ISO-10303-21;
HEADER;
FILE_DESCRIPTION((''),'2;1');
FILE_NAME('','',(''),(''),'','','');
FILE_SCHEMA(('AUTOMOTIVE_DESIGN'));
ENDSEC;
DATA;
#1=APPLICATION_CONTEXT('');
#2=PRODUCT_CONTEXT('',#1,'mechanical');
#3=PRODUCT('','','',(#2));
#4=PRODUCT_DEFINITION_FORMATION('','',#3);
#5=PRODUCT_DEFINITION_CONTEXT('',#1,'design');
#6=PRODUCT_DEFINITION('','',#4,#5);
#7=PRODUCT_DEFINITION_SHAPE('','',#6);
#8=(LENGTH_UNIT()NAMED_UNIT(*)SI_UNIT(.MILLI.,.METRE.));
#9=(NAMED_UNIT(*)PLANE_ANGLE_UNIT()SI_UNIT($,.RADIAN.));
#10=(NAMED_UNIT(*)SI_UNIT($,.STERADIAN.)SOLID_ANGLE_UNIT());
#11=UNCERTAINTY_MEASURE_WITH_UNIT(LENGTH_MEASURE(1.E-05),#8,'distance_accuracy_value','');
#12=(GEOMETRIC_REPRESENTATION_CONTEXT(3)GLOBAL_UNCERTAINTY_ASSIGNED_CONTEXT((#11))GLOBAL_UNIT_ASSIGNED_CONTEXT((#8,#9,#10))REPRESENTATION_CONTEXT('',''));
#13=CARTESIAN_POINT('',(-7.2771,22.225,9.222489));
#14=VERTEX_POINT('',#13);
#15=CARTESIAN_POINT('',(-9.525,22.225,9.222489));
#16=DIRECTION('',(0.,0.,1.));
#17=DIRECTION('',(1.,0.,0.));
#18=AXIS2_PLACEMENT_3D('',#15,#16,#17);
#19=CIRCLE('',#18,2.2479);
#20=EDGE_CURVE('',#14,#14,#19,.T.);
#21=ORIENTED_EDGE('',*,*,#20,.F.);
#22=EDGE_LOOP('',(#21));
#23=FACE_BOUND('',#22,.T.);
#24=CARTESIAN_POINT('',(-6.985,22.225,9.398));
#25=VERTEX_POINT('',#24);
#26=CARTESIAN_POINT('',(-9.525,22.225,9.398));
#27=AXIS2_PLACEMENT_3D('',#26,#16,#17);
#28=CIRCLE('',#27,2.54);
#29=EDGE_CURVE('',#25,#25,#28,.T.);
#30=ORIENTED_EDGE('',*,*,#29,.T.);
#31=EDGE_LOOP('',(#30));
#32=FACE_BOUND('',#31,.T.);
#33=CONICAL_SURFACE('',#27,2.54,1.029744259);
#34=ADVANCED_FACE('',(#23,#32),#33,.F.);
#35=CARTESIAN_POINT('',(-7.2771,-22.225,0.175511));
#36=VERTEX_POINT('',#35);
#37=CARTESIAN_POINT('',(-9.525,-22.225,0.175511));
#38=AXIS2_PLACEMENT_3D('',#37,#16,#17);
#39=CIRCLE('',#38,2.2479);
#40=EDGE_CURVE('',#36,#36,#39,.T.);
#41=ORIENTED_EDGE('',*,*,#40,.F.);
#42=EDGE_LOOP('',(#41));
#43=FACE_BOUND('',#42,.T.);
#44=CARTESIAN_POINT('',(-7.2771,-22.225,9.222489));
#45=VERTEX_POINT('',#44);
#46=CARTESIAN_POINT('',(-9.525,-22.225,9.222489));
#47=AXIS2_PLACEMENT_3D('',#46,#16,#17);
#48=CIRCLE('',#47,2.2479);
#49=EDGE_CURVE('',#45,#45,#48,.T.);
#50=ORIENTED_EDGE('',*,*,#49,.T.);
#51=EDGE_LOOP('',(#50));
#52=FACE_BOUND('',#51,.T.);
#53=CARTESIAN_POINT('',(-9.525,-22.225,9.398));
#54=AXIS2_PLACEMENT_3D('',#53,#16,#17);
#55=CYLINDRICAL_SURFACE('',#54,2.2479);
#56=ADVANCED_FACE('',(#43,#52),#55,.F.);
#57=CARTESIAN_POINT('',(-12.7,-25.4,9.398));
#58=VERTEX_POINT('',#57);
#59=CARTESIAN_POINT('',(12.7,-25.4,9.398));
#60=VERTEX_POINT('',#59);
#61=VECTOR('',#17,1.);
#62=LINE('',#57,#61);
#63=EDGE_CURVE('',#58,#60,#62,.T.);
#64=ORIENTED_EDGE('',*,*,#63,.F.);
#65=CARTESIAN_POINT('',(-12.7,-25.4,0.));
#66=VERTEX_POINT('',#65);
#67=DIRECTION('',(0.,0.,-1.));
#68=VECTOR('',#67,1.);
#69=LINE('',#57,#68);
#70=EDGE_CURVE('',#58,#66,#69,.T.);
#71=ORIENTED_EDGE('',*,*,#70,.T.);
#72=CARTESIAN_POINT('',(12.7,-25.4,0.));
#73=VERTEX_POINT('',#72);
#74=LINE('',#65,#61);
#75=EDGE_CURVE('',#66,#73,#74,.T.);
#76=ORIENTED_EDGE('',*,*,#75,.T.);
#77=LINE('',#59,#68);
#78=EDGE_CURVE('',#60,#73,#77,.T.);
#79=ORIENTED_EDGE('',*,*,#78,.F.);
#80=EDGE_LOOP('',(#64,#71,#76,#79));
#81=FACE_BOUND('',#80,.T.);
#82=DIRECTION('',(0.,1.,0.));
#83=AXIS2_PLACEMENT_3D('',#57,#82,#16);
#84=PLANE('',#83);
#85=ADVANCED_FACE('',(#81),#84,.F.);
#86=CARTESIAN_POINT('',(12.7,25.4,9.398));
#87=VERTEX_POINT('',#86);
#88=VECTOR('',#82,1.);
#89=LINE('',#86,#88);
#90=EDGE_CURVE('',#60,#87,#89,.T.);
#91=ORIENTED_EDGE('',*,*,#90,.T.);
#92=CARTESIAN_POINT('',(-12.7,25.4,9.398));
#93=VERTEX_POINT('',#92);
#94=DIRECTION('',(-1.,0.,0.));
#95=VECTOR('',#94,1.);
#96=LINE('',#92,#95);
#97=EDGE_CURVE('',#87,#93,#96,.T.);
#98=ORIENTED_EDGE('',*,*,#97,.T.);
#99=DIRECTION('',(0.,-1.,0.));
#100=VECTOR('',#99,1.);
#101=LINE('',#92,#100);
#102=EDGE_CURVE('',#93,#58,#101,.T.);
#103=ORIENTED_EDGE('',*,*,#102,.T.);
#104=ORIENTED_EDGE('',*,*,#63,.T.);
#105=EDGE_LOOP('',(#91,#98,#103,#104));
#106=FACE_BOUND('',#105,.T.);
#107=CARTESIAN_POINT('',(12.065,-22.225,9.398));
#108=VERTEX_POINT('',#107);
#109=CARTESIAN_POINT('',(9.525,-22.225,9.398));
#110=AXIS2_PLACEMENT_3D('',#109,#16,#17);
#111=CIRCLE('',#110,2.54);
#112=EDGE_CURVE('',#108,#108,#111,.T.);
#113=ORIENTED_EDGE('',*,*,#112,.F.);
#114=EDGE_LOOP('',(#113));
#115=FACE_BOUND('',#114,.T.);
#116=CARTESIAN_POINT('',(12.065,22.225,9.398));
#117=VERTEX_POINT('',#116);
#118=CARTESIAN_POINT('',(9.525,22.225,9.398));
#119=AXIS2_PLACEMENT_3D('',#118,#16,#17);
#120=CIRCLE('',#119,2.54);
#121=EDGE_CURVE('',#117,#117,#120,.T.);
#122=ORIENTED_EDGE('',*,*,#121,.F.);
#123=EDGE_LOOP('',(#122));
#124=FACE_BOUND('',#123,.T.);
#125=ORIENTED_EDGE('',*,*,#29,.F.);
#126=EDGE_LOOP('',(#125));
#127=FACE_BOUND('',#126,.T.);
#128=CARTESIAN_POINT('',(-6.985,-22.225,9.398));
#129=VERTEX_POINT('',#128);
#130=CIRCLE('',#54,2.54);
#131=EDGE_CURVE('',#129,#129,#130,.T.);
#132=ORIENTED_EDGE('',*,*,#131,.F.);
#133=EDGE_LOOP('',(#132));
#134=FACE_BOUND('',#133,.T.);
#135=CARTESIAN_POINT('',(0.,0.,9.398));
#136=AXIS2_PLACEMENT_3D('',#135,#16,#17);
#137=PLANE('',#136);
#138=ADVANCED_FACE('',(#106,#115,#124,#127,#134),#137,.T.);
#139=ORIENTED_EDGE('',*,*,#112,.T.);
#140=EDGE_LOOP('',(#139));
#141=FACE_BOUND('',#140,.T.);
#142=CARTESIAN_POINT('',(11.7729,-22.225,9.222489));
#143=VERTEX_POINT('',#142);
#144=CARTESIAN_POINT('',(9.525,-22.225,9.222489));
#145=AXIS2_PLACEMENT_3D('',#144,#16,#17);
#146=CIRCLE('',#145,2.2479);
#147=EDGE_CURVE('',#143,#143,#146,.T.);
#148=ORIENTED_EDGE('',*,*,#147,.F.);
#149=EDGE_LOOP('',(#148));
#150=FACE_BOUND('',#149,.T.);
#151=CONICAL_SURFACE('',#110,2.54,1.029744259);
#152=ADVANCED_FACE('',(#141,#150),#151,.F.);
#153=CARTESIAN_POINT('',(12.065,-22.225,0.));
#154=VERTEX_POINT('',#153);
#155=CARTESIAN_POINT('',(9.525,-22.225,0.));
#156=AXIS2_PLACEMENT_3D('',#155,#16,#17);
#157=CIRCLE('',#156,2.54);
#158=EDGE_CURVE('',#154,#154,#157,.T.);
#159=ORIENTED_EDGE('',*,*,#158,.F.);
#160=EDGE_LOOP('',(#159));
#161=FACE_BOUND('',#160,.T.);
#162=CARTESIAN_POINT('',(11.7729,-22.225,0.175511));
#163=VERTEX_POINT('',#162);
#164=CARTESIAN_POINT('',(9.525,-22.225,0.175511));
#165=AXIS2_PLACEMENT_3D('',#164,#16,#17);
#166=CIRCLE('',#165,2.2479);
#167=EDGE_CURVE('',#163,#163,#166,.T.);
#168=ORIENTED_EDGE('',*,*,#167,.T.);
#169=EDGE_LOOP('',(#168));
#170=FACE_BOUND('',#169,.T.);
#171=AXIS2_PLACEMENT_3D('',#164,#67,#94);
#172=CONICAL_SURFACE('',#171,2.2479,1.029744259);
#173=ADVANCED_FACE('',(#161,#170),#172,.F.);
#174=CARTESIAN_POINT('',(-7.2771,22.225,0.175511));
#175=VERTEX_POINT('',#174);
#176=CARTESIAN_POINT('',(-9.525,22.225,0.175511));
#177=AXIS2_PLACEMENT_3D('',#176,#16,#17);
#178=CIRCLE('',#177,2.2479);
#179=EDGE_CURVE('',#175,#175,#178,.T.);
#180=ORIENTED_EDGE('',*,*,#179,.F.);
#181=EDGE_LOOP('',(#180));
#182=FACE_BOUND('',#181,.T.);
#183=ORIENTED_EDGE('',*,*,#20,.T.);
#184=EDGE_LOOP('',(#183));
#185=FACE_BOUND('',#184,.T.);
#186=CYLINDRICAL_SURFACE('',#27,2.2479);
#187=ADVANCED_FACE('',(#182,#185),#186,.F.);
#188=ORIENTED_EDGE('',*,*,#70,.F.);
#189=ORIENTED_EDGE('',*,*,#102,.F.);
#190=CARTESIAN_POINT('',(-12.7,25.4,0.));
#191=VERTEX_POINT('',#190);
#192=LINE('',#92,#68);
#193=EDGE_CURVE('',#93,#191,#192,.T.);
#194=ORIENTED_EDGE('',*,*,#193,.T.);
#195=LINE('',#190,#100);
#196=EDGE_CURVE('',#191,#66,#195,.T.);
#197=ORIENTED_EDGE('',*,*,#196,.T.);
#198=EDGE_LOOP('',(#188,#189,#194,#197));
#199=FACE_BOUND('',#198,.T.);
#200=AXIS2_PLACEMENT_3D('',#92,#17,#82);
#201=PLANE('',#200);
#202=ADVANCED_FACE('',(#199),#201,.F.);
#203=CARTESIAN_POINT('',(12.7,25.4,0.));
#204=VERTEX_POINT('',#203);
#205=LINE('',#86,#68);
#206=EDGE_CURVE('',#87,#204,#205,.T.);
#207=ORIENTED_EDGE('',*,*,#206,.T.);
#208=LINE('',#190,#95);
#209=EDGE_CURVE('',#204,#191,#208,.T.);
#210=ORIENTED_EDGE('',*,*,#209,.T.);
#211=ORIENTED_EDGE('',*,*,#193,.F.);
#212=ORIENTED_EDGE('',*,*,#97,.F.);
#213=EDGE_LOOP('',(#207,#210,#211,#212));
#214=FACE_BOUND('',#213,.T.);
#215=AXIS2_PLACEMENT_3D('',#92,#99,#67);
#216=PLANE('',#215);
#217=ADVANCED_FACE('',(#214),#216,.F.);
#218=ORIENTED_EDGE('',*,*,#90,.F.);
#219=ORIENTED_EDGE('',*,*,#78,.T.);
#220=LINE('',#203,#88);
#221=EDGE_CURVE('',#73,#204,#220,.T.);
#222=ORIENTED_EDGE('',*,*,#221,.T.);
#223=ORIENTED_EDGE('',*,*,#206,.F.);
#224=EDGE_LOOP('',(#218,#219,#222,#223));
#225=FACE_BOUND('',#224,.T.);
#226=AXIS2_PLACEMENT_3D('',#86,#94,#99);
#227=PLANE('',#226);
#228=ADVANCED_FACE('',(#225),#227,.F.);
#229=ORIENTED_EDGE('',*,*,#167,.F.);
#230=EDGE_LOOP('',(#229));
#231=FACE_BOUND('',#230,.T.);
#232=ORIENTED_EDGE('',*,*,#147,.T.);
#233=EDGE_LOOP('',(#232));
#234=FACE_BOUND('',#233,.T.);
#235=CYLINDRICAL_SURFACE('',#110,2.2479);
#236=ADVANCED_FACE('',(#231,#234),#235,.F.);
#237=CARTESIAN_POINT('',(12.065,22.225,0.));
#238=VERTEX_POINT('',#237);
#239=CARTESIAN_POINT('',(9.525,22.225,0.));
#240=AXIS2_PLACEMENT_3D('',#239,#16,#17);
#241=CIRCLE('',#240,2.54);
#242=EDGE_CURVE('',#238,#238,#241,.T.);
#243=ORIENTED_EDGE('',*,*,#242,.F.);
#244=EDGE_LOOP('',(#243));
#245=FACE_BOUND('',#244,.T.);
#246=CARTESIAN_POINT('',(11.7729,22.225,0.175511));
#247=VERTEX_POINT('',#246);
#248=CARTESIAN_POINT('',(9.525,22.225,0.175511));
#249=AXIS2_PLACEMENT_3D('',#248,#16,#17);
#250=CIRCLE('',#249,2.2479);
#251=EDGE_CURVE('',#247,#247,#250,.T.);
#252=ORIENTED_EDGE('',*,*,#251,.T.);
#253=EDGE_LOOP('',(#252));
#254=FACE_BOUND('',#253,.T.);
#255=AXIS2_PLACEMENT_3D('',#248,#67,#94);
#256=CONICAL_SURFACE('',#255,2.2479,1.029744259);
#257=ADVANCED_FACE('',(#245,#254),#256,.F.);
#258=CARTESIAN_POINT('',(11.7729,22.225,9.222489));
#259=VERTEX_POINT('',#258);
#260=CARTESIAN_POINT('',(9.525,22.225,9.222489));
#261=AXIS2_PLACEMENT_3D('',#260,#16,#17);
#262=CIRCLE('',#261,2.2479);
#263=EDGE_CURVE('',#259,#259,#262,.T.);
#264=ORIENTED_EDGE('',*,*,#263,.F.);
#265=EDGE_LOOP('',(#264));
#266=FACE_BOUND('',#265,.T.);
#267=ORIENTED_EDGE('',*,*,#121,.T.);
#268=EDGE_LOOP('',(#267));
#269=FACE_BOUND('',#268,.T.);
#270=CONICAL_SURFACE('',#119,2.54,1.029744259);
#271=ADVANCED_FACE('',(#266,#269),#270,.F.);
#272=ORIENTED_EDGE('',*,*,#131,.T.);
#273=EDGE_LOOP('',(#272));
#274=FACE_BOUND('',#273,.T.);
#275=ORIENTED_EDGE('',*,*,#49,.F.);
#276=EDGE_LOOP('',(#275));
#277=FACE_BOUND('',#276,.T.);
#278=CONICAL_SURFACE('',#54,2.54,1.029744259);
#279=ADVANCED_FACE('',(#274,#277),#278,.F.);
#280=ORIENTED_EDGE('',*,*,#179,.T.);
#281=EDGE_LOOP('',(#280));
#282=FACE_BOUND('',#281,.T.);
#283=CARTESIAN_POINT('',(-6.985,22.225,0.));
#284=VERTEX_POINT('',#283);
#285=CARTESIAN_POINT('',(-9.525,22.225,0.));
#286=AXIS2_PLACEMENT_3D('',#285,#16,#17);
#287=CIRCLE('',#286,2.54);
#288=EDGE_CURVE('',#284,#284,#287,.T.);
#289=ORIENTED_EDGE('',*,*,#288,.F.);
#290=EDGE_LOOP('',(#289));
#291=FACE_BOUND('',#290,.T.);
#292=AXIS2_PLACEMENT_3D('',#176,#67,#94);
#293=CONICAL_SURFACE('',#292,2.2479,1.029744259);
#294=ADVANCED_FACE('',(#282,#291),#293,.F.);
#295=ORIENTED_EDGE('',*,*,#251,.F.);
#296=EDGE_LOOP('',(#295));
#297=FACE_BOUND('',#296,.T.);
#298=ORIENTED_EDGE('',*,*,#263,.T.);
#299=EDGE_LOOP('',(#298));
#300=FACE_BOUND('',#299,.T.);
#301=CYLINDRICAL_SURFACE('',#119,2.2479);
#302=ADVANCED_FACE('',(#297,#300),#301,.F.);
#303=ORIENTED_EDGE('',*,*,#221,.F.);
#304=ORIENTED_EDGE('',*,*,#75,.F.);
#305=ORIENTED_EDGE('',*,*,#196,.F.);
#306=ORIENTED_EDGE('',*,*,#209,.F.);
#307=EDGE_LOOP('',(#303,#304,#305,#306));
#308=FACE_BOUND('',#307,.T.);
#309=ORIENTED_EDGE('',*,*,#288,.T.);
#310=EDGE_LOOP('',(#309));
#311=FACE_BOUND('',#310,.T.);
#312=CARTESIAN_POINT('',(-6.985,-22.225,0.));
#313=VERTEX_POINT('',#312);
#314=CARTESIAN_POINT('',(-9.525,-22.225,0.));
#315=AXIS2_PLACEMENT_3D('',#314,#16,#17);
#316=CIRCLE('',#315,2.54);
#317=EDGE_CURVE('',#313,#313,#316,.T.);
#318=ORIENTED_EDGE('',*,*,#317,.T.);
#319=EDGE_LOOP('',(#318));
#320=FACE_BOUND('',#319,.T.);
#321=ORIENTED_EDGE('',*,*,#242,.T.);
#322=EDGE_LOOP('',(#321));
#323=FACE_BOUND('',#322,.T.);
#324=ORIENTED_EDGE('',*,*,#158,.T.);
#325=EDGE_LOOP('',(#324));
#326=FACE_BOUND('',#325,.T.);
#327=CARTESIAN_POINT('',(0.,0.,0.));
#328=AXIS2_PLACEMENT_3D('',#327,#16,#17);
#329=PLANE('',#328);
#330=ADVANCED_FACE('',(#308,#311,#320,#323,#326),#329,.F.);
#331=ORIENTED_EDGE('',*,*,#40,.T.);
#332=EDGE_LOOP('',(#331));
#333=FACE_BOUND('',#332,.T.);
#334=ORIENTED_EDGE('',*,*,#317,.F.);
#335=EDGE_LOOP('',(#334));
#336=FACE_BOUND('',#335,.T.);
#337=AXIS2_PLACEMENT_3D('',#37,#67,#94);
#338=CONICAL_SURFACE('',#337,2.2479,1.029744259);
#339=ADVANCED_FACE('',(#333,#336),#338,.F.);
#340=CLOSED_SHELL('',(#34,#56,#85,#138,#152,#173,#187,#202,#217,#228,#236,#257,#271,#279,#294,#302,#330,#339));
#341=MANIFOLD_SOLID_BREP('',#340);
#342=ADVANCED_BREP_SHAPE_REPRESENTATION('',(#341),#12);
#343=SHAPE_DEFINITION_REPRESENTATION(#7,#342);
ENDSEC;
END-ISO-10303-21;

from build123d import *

# Parameters (mm, degrees)
SKETCH1_W            = 25.4
SKETCH1_H            = 50.8
BOSS_EXTRUDE1_DEPTH  = 9.398
LPATTERN1_COUNT      = 2
LPATTERN1_PITCH      = 44.45
LPATTERN1_COUNT_DIR2 = 2
LPATTERN1_PITCH_DIR2 = 19.05


with BuildPart() as part:
    # Sketch1 → Boss-Extrude1 (new body)
    with BuildSketch(Plane.XY):
        Rectangle(SKETCH1_W, SKETCH1_H)
    extrude(amount=BOSS_EXTRUDE1_DEPTH)

    # Sketch3 → #8 Clearance Hole1 (revolve, cut)
    with BuildSketch(Plane(origin=(-9.525, -22.225, 9.398), x_dir=(0, -1, 0), z_dir=(1, 0, 0))):
        Polygon((0, 0), (0, 9.398), (2.54, 9.398), (2.2479, 9.222488613), (2.2479, 0.175511387), (2.54, 0), align=None)
    f_8_clearance_hole1 = revolve(axis=Axis((-9.525, -22.225, 15.748), (0, 0, -1)), mode=Mode.SUBTRACT)

    # LPattern1: 8 Clearance Hole1 2 × 2
    with Locations(*[(j * LPATTERN1_PITCH_DIR2, i * LPATTERN1_PITCH, 0) for i in range(LPATTERN1_COUNT) for j in range(LPATTERN1_COUNT_DIR2) if (i, j) != (0, 0)]):
        add(f_8_clearance_hole1, mode=Mode.SUBTRACT)


solid = part.part
